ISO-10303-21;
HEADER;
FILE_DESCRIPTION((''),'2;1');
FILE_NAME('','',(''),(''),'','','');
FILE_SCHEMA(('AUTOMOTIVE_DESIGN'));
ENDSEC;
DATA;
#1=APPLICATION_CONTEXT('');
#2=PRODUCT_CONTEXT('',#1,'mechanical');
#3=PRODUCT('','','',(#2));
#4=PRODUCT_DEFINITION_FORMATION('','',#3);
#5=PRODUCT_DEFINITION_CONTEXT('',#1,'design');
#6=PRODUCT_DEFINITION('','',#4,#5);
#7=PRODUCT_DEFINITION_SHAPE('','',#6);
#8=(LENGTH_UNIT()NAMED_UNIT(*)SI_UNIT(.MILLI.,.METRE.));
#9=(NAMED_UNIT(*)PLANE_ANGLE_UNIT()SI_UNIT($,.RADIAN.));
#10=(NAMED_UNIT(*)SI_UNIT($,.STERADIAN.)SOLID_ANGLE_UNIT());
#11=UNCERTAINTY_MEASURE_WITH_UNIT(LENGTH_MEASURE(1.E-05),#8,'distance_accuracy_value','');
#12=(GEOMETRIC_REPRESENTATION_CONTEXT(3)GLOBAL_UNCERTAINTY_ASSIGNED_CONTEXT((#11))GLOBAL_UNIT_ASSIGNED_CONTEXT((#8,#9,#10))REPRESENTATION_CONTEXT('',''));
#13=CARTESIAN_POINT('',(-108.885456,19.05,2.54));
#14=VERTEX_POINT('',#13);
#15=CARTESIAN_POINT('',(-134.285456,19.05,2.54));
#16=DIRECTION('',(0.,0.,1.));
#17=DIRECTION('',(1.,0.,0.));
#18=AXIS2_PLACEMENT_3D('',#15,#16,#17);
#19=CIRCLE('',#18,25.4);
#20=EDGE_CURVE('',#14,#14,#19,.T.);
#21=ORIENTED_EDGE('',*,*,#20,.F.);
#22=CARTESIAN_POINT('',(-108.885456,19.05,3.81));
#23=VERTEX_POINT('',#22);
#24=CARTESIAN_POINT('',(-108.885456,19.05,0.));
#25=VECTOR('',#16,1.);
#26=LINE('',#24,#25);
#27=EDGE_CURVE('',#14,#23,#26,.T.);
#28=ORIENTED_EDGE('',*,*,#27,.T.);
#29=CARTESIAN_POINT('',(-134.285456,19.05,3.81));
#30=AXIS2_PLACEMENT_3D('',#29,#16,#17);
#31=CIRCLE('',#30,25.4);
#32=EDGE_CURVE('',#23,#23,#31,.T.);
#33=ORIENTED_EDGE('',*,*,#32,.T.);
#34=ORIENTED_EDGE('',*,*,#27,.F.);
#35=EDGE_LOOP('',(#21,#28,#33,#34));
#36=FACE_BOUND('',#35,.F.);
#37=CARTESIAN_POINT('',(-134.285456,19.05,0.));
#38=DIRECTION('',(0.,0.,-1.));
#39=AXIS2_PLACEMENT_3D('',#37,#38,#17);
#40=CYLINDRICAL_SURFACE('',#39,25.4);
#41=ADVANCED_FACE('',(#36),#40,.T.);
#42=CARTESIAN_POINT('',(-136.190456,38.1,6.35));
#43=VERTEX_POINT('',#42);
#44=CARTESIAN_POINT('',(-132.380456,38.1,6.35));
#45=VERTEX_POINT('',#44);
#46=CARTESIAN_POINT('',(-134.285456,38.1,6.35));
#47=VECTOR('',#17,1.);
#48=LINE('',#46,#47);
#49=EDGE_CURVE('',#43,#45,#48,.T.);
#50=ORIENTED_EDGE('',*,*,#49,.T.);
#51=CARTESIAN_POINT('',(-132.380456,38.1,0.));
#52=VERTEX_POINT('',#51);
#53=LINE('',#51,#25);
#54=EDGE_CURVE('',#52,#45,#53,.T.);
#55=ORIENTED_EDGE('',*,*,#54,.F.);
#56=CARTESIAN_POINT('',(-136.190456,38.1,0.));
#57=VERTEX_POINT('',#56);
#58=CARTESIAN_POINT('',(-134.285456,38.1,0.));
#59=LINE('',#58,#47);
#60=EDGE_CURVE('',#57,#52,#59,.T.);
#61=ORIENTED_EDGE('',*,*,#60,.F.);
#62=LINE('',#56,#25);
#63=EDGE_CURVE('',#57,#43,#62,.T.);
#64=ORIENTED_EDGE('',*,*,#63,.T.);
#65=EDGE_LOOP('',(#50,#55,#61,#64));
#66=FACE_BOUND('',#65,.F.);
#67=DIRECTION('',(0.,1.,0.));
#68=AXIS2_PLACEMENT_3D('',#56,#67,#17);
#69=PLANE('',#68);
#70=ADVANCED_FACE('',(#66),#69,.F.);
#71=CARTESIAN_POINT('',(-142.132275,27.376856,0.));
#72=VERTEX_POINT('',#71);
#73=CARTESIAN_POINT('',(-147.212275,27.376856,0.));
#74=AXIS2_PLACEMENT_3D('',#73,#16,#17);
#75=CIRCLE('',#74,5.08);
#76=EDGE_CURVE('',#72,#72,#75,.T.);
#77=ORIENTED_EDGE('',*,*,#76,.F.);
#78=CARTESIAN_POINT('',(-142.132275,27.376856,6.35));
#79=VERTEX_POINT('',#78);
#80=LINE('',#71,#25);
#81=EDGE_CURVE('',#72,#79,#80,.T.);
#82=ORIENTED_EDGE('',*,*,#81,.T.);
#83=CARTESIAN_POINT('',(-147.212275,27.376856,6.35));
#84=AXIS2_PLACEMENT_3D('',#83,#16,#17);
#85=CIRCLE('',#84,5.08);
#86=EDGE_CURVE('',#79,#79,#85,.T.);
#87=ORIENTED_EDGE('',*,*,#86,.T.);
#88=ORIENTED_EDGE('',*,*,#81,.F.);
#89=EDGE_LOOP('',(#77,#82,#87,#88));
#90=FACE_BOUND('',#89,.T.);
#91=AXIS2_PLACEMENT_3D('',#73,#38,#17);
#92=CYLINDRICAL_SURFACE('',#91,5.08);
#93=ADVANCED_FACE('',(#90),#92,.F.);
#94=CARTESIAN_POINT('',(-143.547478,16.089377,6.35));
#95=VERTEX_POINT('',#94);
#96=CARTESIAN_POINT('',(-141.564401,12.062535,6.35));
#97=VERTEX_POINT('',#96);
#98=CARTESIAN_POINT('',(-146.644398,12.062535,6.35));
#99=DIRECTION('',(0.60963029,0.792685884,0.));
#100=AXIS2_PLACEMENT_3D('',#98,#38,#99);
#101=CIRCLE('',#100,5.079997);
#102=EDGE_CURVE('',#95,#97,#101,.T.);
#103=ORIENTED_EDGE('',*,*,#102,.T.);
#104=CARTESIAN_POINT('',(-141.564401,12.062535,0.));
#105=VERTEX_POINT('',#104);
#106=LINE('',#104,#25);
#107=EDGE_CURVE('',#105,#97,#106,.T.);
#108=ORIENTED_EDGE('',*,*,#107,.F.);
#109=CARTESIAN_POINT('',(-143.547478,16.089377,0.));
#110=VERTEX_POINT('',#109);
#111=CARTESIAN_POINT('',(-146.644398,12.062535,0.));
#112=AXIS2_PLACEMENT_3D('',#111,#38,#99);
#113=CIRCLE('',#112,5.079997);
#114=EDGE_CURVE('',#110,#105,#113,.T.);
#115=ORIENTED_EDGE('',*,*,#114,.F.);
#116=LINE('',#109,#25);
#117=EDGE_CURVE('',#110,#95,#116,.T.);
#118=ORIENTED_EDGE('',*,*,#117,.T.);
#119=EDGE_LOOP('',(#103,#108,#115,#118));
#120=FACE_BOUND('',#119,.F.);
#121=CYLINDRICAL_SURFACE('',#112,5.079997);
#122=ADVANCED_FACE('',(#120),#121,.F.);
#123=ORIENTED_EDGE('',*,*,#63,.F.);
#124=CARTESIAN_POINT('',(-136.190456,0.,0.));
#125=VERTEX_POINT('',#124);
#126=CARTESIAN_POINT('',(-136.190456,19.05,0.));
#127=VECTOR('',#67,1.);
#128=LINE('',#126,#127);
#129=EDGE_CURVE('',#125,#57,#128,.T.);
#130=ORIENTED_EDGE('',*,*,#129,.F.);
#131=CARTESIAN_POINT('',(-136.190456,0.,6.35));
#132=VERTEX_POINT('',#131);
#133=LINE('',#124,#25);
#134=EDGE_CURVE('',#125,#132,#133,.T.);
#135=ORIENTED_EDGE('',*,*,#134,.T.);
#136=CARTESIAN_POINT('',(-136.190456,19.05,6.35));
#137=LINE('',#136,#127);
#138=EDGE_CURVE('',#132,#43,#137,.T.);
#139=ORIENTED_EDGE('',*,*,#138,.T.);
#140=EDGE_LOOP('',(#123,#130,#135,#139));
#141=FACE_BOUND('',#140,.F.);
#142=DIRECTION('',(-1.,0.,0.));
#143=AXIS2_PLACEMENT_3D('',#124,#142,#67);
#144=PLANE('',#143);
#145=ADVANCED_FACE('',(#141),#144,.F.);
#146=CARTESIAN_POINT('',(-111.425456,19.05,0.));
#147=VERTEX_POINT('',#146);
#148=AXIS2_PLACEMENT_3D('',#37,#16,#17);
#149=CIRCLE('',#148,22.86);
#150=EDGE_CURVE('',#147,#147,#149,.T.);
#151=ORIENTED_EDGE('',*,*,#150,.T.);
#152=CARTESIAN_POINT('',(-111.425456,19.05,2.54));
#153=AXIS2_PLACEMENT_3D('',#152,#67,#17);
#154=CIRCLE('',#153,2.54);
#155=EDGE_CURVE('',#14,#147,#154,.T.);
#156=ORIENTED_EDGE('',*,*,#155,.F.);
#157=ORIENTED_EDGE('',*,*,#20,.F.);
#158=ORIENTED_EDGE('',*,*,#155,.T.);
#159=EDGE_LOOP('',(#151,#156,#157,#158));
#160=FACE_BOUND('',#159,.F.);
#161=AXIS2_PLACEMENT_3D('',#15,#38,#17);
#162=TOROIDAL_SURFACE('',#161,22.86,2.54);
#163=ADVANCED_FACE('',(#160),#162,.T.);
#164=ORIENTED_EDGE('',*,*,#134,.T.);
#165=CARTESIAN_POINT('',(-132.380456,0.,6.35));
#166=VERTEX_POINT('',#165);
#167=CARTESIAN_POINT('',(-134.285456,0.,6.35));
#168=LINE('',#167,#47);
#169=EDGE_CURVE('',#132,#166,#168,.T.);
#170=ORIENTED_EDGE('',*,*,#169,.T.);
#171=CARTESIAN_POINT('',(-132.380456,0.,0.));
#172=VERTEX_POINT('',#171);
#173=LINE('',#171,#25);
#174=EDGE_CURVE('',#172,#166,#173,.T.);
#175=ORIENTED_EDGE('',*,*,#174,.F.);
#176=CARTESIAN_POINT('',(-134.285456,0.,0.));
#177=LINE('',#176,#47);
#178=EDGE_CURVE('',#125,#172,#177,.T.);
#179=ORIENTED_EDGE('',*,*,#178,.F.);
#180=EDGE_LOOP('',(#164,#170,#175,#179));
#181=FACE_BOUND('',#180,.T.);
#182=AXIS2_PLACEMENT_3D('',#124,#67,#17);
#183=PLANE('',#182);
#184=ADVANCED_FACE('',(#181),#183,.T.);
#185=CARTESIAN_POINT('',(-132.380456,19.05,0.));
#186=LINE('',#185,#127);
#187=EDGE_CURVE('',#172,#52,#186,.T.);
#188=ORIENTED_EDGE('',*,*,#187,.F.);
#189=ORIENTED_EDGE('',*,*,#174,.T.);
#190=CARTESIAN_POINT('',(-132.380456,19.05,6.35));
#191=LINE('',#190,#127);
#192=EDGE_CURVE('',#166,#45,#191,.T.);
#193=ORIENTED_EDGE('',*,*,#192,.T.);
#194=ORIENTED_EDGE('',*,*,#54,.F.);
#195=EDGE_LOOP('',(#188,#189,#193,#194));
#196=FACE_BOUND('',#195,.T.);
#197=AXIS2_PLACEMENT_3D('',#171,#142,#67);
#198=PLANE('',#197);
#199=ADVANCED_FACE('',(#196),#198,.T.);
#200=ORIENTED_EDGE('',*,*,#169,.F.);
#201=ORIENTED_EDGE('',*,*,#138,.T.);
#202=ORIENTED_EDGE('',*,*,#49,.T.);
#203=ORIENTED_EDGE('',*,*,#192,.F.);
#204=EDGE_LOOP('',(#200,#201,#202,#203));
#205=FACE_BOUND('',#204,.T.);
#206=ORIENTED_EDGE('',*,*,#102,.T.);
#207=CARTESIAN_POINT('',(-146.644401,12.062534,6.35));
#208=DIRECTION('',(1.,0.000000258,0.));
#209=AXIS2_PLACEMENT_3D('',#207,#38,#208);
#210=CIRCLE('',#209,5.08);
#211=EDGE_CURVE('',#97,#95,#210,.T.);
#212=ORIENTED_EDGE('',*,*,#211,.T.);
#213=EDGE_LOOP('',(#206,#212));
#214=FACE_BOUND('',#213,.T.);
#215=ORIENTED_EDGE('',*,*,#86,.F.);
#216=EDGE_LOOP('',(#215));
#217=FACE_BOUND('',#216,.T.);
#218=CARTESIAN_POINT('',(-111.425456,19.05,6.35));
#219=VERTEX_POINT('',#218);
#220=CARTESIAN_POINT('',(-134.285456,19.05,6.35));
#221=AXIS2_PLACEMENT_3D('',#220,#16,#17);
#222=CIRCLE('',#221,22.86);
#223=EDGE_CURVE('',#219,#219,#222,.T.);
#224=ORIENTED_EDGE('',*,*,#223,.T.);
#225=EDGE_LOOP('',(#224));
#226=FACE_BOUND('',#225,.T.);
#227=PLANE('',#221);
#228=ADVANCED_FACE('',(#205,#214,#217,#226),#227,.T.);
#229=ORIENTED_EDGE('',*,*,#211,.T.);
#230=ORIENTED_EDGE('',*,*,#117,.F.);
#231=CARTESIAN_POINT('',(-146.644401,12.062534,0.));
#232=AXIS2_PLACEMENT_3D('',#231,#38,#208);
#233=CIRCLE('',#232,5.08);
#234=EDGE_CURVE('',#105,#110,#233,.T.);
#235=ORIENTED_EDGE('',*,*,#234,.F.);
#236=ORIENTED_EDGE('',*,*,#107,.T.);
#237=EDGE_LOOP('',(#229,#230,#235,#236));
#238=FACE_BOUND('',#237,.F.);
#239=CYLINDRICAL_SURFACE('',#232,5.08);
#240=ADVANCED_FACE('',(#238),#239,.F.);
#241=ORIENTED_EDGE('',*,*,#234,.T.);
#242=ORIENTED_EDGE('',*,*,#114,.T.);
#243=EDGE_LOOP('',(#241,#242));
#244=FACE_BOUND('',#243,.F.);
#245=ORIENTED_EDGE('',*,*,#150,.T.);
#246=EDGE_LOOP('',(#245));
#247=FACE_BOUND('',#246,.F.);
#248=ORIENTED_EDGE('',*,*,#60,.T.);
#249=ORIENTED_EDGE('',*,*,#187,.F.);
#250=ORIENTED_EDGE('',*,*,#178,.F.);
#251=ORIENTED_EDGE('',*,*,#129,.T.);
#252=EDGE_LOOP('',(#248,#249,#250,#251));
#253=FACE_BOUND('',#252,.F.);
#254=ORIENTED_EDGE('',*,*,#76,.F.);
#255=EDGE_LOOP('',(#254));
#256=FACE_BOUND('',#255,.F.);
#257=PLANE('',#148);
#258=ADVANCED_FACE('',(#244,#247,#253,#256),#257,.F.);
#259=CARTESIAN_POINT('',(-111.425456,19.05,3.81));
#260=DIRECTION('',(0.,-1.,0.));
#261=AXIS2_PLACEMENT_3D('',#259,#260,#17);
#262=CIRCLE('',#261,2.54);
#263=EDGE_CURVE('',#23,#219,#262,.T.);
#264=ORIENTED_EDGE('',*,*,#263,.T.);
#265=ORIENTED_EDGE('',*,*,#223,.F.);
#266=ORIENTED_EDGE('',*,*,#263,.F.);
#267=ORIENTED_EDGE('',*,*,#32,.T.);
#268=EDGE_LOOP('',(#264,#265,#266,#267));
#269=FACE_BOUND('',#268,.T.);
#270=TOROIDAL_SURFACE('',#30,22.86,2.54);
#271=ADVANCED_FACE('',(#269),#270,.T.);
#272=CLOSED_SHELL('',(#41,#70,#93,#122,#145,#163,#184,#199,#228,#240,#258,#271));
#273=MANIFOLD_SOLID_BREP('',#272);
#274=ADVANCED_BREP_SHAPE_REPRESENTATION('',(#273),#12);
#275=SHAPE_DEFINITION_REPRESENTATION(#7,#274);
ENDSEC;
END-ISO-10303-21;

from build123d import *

# Parameters (mm, degrees)
F0_R     = 25.4
F0_R_2   = 5.08
F0_W     = 3.81
F0_H     = 38.1
F1_DEPTH = 6.35
F2_R     = 2.54


with BuildPart() as f1:
    # F0 (on Top) → F1 (new body)
    with BuildSketch(Plane.XY):
        with Locations((-134.285456, 19.05)):
            Circle(F0_R)
        with BuildLine():
            ThreePointArc((-143.547478, 16.089377), (-142.087057, 14.306864), (-141.564401, 12.062535))
            ThreePointArc((-141.564401, 12.062535), (-151.201745, 9.818205), (-143.547478, 16.089377))
        make_face(mode=Mode.SUBTRACT)
        with Locations((-147.212275, 27.376856)):
            Circle(F0_R_2, mode=Mode.SUBTRACT)
        with Locations((-134.285456, 19.05)):
            Rectangle(F0_W, F0_H, mode=Mode.SUBTRACT)
    extrude(amount=F1_DEPTH)

    # F2
    f2_edges = [f1.edges().sort_by_distance(p)[0] for p in [
        (-159.685456, 19.05, 6.35),
        (-159.685456, 19.05, 0),
    ]]
    fillet(f2_edges, radius=F2_R)


solid = f1.part
